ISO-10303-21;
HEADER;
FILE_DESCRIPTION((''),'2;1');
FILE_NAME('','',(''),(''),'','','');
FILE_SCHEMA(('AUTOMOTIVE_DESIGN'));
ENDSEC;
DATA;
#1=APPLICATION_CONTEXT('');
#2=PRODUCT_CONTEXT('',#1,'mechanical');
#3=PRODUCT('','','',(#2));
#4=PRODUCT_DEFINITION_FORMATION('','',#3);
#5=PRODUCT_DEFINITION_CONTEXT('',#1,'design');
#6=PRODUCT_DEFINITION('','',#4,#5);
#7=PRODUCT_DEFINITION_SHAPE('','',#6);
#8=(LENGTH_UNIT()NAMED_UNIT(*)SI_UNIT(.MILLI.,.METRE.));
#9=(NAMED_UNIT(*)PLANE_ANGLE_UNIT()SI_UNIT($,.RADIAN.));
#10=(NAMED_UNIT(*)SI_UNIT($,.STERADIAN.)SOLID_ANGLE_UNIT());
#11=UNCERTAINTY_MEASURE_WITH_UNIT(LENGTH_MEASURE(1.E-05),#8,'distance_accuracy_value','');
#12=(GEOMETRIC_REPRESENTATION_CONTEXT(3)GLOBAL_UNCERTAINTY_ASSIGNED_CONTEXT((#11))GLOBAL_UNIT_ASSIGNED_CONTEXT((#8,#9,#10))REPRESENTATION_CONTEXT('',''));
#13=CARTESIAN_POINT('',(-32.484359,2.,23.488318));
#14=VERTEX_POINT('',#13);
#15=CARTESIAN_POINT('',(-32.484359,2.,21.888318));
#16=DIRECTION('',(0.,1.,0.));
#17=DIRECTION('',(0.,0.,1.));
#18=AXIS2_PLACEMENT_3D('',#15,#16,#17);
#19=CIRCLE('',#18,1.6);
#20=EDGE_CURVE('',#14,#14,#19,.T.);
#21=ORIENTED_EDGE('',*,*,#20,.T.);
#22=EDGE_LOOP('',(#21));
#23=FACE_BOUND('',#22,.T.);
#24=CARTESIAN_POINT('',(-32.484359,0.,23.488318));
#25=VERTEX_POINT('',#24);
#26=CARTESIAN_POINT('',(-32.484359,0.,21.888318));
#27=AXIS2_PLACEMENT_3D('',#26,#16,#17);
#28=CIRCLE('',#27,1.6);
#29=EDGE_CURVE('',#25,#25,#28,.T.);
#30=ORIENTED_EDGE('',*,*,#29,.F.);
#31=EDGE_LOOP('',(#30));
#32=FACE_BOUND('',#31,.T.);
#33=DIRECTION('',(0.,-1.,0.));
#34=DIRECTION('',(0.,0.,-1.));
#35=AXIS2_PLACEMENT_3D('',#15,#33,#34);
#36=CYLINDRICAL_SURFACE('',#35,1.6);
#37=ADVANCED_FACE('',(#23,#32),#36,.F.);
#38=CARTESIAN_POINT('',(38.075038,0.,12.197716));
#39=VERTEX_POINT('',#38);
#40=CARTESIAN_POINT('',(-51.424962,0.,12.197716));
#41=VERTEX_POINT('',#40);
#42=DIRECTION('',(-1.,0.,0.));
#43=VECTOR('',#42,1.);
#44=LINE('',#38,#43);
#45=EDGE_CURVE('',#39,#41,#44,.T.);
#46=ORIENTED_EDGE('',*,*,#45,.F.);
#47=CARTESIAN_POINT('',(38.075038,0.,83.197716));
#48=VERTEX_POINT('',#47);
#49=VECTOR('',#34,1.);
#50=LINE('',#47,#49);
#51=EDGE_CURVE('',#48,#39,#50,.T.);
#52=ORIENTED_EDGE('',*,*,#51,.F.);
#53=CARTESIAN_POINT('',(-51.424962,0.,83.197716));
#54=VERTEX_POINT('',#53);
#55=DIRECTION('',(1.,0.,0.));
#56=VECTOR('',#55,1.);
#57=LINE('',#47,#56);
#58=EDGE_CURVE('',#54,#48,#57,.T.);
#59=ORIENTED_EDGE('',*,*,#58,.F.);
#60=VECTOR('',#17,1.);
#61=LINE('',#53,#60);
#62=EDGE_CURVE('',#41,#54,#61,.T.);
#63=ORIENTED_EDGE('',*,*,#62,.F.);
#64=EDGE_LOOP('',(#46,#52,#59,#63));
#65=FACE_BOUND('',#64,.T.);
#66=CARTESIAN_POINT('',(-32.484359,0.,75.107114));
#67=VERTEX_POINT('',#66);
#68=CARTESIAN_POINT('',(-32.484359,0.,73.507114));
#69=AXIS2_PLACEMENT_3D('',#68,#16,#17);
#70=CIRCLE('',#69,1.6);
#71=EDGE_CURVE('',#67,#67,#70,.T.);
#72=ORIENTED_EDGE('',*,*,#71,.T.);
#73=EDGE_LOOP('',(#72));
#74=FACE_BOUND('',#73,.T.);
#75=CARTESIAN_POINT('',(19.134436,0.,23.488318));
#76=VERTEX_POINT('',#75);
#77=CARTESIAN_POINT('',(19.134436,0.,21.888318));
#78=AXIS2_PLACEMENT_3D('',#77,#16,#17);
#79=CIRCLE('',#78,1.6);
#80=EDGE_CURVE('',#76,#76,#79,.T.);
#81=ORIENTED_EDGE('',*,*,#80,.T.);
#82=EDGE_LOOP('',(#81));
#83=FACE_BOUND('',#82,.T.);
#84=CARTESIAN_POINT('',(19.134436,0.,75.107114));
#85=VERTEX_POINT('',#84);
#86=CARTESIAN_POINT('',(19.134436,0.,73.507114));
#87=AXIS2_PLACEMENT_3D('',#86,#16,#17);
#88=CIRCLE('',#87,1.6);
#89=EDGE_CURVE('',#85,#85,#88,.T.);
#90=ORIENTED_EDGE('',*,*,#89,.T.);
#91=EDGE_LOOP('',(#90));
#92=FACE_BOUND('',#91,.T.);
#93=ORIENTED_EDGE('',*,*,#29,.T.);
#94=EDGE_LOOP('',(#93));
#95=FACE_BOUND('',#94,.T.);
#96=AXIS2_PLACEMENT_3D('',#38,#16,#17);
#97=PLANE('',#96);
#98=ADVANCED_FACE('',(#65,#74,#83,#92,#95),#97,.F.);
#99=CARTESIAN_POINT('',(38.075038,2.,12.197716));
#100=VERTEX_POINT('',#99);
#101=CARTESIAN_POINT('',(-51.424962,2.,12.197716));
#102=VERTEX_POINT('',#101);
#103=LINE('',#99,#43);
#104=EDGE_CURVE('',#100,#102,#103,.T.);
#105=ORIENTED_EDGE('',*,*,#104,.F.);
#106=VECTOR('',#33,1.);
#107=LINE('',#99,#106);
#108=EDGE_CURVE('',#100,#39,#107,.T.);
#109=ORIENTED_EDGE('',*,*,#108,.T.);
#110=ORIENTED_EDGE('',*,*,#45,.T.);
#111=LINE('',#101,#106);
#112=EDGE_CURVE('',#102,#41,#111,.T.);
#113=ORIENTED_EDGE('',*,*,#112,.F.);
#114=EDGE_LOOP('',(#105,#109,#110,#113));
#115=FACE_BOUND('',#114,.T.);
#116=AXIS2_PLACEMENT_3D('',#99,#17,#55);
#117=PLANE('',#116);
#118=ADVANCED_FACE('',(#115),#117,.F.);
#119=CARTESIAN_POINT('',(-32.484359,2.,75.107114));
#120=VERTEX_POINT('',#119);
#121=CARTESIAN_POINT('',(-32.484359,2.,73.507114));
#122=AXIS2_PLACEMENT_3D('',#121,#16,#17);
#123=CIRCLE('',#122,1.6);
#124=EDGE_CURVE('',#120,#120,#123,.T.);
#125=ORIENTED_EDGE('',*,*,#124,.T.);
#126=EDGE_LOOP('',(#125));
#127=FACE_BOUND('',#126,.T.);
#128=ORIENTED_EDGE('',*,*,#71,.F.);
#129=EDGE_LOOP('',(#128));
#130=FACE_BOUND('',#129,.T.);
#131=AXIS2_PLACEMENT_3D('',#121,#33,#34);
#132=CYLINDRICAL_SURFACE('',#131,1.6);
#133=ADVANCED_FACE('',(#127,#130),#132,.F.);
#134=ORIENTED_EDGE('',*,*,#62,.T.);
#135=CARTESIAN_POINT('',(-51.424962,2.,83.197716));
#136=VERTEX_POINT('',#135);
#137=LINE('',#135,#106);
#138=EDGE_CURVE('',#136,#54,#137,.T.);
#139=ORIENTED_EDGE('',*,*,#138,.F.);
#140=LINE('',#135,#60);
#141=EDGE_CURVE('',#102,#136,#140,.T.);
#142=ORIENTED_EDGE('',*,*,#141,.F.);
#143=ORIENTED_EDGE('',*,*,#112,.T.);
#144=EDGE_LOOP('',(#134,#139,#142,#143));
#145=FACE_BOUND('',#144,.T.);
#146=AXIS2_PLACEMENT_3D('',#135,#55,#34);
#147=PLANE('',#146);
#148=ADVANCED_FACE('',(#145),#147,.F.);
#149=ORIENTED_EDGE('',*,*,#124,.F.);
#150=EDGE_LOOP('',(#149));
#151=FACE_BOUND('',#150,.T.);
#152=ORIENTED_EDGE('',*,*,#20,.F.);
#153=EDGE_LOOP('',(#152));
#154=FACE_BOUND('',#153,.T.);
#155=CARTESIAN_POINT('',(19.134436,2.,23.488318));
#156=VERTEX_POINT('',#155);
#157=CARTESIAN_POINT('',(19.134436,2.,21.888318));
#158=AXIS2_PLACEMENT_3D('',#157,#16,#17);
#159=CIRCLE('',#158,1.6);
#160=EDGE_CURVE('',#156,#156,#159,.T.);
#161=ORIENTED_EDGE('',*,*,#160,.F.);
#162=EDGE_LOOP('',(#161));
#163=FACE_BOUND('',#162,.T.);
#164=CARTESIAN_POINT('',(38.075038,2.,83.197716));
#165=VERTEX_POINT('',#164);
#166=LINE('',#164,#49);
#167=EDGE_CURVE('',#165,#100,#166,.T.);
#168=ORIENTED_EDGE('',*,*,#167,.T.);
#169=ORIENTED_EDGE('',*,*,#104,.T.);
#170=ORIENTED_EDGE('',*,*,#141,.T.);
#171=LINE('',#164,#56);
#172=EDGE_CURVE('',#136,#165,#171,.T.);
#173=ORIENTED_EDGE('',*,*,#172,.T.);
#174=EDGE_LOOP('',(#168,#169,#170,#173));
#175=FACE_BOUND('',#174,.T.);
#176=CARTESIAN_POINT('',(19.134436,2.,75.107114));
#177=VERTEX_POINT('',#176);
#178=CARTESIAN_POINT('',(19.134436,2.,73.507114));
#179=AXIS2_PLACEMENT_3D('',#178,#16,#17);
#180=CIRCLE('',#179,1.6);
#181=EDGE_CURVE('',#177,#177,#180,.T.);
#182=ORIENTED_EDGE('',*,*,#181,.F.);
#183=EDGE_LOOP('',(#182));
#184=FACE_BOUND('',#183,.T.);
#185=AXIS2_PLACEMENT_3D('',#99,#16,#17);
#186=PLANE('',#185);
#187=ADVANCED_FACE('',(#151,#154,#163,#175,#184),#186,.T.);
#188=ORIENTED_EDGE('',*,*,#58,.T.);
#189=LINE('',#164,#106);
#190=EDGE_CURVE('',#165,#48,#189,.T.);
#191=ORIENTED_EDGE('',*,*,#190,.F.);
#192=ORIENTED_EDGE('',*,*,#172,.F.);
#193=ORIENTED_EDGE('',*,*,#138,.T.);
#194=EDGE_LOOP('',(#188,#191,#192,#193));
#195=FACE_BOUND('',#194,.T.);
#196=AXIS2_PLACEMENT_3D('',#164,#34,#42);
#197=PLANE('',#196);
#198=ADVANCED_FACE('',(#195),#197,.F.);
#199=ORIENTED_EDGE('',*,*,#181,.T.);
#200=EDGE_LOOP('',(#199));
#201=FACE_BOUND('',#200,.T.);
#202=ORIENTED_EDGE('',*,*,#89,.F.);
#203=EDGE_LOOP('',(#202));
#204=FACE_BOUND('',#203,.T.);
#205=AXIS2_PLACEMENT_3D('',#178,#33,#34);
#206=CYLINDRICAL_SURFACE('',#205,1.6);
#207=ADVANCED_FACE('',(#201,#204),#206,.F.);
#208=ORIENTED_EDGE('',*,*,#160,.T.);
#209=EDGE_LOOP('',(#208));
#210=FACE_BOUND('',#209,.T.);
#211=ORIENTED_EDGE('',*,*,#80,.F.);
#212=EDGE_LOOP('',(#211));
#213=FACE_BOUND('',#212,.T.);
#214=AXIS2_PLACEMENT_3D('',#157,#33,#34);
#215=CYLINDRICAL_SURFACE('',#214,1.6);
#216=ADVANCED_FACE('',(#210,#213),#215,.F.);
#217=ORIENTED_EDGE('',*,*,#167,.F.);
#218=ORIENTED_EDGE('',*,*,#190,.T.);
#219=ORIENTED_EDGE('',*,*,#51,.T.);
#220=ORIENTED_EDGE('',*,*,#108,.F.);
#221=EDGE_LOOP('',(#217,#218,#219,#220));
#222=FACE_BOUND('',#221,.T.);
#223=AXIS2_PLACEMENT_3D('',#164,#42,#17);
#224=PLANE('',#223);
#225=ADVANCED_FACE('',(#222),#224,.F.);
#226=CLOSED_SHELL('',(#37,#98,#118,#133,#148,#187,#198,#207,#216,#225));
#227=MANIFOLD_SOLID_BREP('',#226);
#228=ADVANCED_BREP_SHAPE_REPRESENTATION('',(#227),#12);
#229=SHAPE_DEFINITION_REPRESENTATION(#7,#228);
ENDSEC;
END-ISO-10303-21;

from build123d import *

# Parameters (mm, degrees)
SKETCH1_W           = 89.5
SKETCH1_H           = 71
SKETCH1_R           = 1.6
BOSS_EXTRUDE1_DEPTH = 2


with BuildPart() as part:
    # Sketch1 → Boss-Extrude1 (new body)
    with BuildSketch(Plane(origin=(0, 0, 0), x_dir=(1, 0, 0), z_dir=(0, 1, 0))):
        with Locations((-6.674961592, -47.697715994)):
            Rectangle(SKETCH1_W, SKETCH1_H)
        with Locations(Location((19.134435922, -73.507113507, 0), (0, 0, 270))):
            Circle(SKETCH1_R, mode=Mode.SUBTRACT)
        with Locations(Location((-32.484359105, -73.507113507, 0), (0, 0, 270))):
            Circle(SKETCH1_R, mode=Mode.SUBTRACT)
        with Locations(Location((-32.484359105, -21.88831848, 0), (0, 0, 270))):
            Circle(SKETCH1_R, mode=Mode.SUBTRACT)
        with Locations(Location((19.134435922, -21.88831848, 0), (0, 0, 270))):
            Circle(SKETCH1_R, mode=Mode.SUBTRACT)
    extrude(amount=BOSS_EXTRUDE1_DEPTH)


solid = part.part
